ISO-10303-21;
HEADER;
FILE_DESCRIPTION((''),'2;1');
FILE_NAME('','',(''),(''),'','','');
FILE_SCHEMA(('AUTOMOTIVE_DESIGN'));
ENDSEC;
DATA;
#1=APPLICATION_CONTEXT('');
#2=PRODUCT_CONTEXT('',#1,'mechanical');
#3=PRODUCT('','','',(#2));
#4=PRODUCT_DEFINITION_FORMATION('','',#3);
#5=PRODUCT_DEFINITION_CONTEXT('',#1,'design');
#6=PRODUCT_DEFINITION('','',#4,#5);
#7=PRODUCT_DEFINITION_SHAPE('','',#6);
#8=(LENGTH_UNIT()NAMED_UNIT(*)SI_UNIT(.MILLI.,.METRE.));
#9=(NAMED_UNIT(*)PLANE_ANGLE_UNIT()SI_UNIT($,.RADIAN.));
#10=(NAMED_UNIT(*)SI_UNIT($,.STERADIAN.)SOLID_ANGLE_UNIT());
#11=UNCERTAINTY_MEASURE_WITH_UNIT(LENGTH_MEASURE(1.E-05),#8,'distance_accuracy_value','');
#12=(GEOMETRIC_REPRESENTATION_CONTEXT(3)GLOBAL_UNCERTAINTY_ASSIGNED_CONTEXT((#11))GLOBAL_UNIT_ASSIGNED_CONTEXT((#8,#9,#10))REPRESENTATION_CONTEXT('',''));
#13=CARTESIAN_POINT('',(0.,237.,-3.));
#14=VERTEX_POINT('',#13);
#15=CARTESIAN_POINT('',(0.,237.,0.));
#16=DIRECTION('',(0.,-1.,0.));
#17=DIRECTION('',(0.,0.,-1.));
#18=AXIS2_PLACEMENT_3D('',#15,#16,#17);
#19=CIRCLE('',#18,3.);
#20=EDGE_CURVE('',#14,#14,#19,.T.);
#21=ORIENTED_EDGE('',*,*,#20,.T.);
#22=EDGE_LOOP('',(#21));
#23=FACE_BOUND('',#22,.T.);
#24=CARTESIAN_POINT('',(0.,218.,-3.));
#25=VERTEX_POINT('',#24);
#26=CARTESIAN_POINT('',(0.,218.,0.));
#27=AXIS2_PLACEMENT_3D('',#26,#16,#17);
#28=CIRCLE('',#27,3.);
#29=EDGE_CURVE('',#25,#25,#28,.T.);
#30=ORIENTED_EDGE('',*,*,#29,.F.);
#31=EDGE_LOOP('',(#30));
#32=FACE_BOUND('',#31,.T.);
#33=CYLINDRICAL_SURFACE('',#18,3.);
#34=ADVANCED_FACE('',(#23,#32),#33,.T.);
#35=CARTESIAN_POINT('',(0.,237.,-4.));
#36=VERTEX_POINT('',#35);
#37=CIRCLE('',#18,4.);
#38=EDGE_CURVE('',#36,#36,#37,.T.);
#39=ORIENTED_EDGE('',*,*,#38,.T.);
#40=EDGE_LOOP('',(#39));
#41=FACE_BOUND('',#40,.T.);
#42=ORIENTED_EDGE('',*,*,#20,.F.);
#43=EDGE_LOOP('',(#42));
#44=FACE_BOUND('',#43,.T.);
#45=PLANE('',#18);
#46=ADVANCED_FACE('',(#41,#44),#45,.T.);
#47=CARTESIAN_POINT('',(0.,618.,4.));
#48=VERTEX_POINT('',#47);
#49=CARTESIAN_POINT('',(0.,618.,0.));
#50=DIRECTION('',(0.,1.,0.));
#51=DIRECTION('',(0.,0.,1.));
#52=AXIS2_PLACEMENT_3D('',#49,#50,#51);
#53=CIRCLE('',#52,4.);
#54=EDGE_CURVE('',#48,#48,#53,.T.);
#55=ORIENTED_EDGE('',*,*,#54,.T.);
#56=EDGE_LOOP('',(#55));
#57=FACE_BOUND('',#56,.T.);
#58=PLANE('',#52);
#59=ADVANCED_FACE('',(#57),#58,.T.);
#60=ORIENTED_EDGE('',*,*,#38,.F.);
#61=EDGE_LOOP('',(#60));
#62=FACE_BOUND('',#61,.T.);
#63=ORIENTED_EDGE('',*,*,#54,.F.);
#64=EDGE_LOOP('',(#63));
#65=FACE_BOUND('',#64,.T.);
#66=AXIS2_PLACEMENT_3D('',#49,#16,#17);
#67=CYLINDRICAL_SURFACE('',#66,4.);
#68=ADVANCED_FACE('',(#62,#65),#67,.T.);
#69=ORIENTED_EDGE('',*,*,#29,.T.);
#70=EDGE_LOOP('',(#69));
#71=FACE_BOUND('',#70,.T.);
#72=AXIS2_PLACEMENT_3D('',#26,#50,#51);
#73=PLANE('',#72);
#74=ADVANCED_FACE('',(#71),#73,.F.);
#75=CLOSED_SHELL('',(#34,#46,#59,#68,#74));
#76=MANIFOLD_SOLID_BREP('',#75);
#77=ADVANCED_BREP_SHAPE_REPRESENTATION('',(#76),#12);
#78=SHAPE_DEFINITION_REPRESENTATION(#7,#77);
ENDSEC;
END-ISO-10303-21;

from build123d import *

# Parameters (mm, degrees)
AUFSATZ_LINEAR_START            = 218
SKIZZE3_R                       = 4
AUFSATZ_LINEAR_AUSTRAGEN1_DEPTH = 400
SKIZZE5_R                       = 4
SKIZZE5_R_2                     = 3
SCHNITT_LINEAR_AUSTRAGEN1_DEPTH = 19


with BuildPart() as part:
    # Skizze3 → Aufsatz-Linear austragen1 (new body)
    with BuildSketch(Plane(origin=(0, 0, 0), x_dir=(1, 0, 0), z_dir=(0, 1, 0)).offset(AUFSATZ_LINEAR_START)):
        Circle(SKIZZE3_R)
    extrude(amount=AUFSATZ_LINEAR_AUSTRAGEN1_DEPTH)

    # Skizze5 → Schnitt-Linear austragen1 (cut)
    with BuildSketch(Plane.XZ.offset(-218)):
        Circle(SKIZZE5_R)
        Circle(SKIZZE5_R_2, mode=Mode.SUBTRACT)
    extrude(amount=-SCHNITT_LINEAR_AUSTRAGEN1_DEPTH, mode=Mode.SUBTRACT)


solid = part.part
